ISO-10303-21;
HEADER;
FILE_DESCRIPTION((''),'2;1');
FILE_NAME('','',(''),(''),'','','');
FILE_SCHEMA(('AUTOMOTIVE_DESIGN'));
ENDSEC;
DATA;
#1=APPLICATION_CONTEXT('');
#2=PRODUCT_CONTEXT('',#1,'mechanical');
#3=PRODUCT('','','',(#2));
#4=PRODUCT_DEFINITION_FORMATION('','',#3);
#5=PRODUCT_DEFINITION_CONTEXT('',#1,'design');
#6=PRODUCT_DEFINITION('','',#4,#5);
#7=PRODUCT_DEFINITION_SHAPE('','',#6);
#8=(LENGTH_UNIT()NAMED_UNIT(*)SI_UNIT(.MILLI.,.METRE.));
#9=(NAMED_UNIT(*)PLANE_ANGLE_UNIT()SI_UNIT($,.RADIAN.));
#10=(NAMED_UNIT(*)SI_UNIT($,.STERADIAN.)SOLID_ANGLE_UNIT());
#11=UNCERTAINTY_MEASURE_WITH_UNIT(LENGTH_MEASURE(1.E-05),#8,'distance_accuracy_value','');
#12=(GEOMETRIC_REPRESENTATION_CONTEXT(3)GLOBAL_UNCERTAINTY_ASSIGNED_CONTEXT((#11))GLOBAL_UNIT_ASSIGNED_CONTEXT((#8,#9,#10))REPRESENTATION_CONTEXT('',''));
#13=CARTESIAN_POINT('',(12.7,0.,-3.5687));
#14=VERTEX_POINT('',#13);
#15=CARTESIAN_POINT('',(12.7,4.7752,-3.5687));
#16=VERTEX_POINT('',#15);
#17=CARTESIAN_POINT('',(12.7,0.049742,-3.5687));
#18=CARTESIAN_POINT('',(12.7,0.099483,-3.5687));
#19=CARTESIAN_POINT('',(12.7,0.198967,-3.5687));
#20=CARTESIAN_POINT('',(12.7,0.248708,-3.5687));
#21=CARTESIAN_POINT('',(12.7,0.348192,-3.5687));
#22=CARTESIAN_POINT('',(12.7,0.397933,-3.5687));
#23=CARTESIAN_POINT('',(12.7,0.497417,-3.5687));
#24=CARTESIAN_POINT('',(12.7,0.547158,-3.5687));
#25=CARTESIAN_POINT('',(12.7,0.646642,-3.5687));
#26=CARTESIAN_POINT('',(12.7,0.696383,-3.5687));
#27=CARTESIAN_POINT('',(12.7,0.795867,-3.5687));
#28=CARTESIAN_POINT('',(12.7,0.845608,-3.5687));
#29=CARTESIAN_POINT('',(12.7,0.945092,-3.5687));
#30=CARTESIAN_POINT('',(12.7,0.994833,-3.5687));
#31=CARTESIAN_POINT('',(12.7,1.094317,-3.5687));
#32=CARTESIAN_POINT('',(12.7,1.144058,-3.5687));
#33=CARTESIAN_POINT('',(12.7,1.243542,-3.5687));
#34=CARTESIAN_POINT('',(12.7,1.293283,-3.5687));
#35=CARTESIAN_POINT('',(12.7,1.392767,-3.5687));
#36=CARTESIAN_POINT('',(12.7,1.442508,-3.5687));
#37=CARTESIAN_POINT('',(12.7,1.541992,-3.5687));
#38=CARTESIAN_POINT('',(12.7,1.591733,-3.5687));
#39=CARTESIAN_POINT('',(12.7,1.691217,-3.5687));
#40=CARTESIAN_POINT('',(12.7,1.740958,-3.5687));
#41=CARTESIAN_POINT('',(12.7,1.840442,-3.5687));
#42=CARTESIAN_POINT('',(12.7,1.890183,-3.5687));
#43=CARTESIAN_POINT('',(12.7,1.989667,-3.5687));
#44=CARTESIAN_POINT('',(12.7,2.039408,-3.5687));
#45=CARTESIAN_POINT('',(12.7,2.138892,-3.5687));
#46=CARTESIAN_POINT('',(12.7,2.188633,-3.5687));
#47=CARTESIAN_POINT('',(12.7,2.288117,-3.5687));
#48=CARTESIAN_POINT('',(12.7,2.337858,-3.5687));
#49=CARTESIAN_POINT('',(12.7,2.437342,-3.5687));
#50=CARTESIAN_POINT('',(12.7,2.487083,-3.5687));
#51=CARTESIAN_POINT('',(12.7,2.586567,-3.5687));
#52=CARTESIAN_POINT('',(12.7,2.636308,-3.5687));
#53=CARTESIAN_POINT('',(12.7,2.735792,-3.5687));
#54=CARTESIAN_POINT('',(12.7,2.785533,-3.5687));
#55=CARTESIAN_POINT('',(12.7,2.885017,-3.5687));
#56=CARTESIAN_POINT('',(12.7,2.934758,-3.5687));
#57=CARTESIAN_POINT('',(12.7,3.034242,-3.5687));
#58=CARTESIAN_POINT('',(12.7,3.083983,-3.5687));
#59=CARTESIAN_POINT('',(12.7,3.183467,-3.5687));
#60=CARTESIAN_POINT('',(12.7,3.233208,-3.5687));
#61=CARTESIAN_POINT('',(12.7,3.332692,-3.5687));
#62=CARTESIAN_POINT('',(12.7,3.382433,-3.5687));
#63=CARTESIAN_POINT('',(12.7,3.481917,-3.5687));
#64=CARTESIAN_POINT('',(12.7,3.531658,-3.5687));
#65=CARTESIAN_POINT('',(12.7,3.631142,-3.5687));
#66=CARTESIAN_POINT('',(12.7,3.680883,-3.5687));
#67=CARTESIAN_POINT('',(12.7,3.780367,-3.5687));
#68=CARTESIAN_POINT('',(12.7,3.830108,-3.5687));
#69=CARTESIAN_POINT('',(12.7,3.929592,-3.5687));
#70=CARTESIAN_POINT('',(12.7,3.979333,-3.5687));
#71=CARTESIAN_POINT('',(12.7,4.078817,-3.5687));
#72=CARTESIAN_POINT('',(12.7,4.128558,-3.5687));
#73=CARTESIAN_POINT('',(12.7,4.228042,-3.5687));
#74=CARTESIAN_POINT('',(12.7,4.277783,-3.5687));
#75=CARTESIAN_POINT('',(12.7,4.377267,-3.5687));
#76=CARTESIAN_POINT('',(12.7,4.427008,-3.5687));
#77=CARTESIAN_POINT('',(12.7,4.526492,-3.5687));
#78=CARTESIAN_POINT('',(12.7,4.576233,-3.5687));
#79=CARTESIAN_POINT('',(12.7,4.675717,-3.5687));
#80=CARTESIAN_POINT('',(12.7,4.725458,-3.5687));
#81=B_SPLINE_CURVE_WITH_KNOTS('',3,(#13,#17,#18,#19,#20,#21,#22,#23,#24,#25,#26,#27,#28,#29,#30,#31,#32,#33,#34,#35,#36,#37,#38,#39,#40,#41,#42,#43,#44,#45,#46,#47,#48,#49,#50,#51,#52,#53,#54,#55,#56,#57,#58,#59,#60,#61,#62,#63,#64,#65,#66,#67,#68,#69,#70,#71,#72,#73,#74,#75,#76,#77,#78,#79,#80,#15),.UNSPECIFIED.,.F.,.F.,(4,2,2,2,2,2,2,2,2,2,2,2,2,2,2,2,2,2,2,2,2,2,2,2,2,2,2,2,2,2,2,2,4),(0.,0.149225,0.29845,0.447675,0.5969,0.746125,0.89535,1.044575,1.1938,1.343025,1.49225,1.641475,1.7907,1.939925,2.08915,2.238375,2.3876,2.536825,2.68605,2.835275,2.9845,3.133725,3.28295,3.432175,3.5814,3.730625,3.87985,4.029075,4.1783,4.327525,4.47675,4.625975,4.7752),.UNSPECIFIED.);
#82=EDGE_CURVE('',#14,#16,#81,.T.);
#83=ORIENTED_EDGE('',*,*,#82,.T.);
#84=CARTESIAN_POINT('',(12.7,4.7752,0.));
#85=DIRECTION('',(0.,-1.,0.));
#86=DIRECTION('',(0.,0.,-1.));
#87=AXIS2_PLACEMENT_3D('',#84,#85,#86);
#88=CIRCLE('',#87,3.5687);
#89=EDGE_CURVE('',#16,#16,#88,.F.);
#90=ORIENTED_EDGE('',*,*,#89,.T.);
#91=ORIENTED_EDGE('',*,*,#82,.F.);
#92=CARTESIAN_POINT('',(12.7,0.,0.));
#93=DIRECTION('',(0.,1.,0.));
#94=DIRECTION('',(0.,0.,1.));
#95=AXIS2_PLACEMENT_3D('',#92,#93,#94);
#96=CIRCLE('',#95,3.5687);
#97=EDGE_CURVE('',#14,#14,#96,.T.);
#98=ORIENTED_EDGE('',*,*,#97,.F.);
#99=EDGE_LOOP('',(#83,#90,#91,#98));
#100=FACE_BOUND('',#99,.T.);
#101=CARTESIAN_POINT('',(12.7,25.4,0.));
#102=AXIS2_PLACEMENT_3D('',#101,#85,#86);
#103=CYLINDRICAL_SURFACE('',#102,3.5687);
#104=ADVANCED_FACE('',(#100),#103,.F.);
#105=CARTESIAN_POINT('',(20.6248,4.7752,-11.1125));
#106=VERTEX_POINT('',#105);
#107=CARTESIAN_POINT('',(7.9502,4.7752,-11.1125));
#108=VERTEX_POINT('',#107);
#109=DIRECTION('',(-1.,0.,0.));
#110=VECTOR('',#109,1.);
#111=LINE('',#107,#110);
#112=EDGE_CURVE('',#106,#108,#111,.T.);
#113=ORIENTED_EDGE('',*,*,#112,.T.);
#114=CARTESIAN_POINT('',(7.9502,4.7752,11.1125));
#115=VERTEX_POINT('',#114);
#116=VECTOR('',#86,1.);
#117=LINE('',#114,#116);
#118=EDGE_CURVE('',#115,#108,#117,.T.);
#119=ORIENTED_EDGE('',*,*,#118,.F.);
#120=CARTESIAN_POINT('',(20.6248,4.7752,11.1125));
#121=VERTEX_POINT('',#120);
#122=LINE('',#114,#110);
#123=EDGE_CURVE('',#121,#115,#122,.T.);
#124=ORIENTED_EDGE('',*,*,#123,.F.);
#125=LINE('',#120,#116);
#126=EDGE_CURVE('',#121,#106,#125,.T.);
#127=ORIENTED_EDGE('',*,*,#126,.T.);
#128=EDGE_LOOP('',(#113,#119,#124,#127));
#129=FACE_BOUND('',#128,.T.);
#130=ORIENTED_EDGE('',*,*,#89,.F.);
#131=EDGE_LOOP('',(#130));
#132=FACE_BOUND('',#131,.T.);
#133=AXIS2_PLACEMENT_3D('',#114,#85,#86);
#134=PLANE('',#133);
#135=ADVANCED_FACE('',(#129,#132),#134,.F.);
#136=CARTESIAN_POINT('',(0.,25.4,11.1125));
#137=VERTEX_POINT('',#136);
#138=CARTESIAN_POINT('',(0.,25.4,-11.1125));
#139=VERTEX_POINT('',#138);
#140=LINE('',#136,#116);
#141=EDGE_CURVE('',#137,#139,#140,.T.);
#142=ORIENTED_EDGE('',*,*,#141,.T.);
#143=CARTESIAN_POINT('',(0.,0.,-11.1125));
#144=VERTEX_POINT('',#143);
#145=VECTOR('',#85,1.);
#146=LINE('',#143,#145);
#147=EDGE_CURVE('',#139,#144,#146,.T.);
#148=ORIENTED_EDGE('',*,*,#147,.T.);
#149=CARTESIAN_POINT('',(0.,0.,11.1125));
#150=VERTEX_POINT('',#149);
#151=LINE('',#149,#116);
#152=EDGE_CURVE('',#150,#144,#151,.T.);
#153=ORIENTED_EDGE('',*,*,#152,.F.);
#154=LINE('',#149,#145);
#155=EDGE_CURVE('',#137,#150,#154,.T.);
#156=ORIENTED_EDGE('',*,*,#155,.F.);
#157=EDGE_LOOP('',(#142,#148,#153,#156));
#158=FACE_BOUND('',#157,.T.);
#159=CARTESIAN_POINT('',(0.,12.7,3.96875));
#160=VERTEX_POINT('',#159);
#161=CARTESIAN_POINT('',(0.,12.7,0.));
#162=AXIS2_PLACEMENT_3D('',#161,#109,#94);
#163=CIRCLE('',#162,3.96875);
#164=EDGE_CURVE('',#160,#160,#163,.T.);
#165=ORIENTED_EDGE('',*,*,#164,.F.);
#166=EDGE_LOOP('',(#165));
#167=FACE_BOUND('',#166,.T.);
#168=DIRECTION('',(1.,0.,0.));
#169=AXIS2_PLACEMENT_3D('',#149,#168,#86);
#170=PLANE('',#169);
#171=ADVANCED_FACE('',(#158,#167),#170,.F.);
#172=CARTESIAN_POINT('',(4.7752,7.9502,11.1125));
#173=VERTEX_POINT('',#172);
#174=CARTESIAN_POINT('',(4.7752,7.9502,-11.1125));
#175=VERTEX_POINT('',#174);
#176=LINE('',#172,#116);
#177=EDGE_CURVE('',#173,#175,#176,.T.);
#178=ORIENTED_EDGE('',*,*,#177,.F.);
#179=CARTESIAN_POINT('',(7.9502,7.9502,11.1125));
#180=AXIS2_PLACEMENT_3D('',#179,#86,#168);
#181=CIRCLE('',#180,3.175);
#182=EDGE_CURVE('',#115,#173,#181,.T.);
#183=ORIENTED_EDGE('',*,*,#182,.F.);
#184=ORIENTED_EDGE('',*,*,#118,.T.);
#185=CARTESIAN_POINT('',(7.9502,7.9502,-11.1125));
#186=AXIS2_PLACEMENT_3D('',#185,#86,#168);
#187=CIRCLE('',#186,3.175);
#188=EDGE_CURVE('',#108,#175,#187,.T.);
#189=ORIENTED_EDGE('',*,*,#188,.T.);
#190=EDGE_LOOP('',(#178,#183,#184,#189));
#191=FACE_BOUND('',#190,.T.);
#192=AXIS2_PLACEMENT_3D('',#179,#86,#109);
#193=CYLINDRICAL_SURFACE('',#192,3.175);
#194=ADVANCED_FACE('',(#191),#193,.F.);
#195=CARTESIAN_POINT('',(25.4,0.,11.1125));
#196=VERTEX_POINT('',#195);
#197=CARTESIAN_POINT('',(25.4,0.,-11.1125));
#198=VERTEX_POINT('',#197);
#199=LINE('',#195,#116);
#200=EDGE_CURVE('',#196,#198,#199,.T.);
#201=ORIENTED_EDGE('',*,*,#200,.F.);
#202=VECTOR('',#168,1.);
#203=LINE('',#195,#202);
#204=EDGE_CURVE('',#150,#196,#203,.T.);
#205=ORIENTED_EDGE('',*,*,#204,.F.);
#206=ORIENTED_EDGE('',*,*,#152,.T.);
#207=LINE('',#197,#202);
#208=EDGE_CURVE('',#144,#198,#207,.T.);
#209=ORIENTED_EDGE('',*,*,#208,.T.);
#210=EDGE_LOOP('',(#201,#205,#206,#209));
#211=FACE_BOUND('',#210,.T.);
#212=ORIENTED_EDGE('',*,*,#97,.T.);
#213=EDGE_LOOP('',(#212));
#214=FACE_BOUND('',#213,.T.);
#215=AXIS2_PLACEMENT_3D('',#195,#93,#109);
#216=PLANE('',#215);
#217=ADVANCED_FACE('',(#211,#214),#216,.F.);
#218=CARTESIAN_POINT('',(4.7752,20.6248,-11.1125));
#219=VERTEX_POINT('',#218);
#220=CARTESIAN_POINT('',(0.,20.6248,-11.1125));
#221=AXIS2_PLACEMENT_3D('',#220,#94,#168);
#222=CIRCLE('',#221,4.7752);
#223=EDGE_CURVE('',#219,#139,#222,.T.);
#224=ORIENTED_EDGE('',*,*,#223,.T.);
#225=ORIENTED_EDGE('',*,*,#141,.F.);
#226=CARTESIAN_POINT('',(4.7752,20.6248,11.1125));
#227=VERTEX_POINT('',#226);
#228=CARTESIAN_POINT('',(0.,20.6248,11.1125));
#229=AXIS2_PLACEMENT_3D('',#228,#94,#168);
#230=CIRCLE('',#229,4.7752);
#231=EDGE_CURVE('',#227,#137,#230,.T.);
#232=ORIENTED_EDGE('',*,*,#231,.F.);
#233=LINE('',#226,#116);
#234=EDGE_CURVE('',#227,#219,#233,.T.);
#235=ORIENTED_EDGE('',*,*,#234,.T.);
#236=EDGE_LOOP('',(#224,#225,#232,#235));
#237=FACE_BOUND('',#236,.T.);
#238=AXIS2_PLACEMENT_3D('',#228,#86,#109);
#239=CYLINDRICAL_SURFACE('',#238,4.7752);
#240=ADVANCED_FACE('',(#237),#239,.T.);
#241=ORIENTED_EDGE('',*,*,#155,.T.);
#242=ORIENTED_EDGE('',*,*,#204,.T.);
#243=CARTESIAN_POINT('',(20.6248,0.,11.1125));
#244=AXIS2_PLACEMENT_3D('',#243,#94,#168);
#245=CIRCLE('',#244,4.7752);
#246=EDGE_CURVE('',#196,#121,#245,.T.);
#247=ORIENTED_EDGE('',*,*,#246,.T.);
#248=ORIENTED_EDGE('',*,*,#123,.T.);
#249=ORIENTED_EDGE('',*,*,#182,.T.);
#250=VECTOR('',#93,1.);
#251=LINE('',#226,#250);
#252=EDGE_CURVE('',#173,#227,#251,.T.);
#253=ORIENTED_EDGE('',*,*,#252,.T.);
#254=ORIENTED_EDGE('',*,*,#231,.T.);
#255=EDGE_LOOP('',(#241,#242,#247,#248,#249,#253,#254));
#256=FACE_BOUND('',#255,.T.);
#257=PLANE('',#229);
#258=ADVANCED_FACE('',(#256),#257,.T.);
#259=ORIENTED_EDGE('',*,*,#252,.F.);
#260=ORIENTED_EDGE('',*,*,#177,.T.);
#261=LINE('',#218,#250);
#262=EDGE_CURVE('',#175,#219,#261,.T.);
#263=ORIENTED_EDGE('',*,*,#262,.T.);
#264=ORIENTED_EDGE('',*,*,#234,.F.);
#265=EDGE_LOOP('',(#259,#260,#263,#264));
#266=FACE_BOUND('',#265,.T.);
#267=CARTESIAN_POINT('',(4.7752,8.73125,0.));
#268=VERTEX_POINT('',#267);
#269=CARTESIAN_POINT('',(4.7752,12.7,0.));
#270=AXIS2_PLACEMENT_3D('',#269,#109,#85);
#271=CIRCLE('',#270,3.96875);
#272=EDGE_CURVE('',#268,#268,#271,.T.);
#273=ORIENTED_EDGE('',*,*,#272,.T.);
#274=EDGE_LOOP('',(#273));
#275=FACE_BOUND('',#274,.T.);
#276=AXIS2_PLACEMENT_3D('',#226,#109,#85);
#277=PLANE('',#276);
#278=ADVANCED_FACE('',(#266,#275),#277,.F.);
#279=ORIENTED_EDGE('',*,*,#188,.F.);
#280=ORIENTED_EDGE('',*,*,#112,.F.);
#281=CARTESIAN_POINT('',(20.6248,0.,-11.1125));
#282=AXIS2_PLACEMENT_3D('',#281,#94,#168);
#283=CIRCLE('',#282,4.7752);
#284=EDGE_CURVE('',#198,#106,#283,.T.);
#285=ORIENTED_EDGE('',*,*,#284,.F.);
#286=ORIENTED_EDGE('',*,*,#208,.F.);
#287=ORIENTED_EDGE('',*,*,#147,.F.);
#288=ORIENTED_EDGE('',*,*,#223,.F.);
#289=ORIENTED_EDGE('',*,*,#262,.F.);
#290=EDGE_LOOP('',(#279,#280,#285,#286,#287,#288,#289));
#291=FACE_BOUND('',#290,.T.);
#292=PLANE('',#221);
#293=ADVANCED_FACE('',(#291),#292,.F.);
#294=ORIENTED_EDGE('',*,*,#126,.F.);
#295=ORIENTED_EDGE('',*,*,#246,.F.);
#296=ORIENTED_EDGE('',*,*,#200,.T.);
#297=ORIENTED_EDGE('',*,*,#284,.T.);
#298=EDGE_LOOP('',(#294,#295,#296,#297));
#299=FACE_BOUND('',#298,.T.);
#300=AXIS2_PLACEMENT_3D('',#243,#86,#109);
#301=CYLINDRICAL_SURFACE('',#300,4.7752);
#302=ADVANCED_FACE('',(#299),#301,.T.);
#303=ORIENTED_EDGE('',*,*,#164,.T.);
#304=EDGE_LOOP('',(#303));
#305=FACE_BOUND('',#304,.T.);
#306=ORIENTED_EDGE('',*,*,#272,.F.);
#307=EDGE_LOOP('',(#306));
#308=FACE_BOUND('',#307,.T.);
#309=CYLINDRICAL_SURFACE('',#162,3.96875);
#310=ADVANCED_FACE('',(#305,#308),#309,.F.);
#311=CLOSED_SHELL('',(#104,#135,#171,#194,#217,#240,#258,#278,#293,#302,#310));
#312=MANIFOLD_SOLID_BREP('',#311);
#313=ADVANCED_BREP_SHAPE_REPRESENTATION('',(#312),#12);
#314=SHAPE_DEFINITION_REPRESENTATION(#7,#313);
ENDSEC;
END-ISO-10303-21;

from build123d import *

# Parameters (mm, degrees)
BOSS_EXTRUDE1_DEPTH         = 11.1125
SKETCH2_R                   = 3.5687
CUT_EXTRUDE1_DEPTH          = 38.600633721
SKETCH3_R                   = 3.5687
CUT_EXTRUDE2_DEPTH          = 38.600633721
F_3_8_16_TAPPED_HOLE1_D     = 7.9375
F_3_8_16_TAPPED_HOLE1_DEPTH = 23.8125
F_3_8_16_TAPPED_HOLE1_TIP   = 2.384665582


with BuildPart() as part:
    # Sketch1 → Boss-Extrude1 (new, symmetric)
    with BuildSketch(Plane.XY):
        with BuildLine():
            Line((0, 0), (0, 25.4))
            ThreePointArc((0, 25.4), (3.376576302, 24.001376302), (4.7752, 20.6248))
            Line((4.7752, 20.6248), (4.7752, 7.9502))
            ThreePointArc((4.7752, 7.9502), (5.70513597, 5.70513597), (7.9502, 4.7752))
            Line((7.9502, 4.7752), (20.6248, 4.7752))
            ThreePointArc((20.6248, 4.7752), (24.001376302, 3.376576302), (25.4, 0))
            Line((25.4, 0), (0, 0))
        make_face()
    extrude(amount=BOSS_EXTRUDE1_DEPTH, both=True)

    # Sketch2 → Cut-Extrude1 (cut, through all)
    with BuildSketch(Plane(origin=(0, 0, 0), x_dir=(1, 0, 0), z_dir=(0, 1, 0))):
        with Locations(Location((12.7, 0, 0), (0, 0, 90))):
            Circle(SKETCH2_R)
    extrude(amount=CUT_EXTRUDE1_DEPTH, mode=Mode.SUBTRACT)

    # Sketch3 → Cut-Extrude2 (cut, through all)
    with BuildSketch(Plane(origin=(0, 0, 0), x_dir=(0, 0, -1), z_dir=(1, 0, 0))):
        with Locations(Location((0, 12.7, 0), (0, 0, 270))):
            Circle(SKETCH3_R)
    extrude(amount=CUT_EXTRUDE2_DEPTH, mode=Mode.SUBTRACT)

    # 3/8-16 Tapped Hole1
    with Locations(Plane.ZY):
        with Locations((0, 12.7)):
            Hole(F_3_8_16_TAPPED_HOLE1_D / 2, depth=F_3_8_16_TAPPED_HOLE1_DEPTH)
            with Locations((0, 0, -(F_3_8_16_TAPPED_HOLE1_DEPTH + F_3_8_16_TAPPED_HOLE1_TIP / 2))):  # 118° drill point
                Cone(0, F_3_8_16_TAPPED_HOLE1_D / 2, F_3_8_16_TAPPED_HOLE1_TIP, mode=Mode.SUBTRACT)


solid = part.part
